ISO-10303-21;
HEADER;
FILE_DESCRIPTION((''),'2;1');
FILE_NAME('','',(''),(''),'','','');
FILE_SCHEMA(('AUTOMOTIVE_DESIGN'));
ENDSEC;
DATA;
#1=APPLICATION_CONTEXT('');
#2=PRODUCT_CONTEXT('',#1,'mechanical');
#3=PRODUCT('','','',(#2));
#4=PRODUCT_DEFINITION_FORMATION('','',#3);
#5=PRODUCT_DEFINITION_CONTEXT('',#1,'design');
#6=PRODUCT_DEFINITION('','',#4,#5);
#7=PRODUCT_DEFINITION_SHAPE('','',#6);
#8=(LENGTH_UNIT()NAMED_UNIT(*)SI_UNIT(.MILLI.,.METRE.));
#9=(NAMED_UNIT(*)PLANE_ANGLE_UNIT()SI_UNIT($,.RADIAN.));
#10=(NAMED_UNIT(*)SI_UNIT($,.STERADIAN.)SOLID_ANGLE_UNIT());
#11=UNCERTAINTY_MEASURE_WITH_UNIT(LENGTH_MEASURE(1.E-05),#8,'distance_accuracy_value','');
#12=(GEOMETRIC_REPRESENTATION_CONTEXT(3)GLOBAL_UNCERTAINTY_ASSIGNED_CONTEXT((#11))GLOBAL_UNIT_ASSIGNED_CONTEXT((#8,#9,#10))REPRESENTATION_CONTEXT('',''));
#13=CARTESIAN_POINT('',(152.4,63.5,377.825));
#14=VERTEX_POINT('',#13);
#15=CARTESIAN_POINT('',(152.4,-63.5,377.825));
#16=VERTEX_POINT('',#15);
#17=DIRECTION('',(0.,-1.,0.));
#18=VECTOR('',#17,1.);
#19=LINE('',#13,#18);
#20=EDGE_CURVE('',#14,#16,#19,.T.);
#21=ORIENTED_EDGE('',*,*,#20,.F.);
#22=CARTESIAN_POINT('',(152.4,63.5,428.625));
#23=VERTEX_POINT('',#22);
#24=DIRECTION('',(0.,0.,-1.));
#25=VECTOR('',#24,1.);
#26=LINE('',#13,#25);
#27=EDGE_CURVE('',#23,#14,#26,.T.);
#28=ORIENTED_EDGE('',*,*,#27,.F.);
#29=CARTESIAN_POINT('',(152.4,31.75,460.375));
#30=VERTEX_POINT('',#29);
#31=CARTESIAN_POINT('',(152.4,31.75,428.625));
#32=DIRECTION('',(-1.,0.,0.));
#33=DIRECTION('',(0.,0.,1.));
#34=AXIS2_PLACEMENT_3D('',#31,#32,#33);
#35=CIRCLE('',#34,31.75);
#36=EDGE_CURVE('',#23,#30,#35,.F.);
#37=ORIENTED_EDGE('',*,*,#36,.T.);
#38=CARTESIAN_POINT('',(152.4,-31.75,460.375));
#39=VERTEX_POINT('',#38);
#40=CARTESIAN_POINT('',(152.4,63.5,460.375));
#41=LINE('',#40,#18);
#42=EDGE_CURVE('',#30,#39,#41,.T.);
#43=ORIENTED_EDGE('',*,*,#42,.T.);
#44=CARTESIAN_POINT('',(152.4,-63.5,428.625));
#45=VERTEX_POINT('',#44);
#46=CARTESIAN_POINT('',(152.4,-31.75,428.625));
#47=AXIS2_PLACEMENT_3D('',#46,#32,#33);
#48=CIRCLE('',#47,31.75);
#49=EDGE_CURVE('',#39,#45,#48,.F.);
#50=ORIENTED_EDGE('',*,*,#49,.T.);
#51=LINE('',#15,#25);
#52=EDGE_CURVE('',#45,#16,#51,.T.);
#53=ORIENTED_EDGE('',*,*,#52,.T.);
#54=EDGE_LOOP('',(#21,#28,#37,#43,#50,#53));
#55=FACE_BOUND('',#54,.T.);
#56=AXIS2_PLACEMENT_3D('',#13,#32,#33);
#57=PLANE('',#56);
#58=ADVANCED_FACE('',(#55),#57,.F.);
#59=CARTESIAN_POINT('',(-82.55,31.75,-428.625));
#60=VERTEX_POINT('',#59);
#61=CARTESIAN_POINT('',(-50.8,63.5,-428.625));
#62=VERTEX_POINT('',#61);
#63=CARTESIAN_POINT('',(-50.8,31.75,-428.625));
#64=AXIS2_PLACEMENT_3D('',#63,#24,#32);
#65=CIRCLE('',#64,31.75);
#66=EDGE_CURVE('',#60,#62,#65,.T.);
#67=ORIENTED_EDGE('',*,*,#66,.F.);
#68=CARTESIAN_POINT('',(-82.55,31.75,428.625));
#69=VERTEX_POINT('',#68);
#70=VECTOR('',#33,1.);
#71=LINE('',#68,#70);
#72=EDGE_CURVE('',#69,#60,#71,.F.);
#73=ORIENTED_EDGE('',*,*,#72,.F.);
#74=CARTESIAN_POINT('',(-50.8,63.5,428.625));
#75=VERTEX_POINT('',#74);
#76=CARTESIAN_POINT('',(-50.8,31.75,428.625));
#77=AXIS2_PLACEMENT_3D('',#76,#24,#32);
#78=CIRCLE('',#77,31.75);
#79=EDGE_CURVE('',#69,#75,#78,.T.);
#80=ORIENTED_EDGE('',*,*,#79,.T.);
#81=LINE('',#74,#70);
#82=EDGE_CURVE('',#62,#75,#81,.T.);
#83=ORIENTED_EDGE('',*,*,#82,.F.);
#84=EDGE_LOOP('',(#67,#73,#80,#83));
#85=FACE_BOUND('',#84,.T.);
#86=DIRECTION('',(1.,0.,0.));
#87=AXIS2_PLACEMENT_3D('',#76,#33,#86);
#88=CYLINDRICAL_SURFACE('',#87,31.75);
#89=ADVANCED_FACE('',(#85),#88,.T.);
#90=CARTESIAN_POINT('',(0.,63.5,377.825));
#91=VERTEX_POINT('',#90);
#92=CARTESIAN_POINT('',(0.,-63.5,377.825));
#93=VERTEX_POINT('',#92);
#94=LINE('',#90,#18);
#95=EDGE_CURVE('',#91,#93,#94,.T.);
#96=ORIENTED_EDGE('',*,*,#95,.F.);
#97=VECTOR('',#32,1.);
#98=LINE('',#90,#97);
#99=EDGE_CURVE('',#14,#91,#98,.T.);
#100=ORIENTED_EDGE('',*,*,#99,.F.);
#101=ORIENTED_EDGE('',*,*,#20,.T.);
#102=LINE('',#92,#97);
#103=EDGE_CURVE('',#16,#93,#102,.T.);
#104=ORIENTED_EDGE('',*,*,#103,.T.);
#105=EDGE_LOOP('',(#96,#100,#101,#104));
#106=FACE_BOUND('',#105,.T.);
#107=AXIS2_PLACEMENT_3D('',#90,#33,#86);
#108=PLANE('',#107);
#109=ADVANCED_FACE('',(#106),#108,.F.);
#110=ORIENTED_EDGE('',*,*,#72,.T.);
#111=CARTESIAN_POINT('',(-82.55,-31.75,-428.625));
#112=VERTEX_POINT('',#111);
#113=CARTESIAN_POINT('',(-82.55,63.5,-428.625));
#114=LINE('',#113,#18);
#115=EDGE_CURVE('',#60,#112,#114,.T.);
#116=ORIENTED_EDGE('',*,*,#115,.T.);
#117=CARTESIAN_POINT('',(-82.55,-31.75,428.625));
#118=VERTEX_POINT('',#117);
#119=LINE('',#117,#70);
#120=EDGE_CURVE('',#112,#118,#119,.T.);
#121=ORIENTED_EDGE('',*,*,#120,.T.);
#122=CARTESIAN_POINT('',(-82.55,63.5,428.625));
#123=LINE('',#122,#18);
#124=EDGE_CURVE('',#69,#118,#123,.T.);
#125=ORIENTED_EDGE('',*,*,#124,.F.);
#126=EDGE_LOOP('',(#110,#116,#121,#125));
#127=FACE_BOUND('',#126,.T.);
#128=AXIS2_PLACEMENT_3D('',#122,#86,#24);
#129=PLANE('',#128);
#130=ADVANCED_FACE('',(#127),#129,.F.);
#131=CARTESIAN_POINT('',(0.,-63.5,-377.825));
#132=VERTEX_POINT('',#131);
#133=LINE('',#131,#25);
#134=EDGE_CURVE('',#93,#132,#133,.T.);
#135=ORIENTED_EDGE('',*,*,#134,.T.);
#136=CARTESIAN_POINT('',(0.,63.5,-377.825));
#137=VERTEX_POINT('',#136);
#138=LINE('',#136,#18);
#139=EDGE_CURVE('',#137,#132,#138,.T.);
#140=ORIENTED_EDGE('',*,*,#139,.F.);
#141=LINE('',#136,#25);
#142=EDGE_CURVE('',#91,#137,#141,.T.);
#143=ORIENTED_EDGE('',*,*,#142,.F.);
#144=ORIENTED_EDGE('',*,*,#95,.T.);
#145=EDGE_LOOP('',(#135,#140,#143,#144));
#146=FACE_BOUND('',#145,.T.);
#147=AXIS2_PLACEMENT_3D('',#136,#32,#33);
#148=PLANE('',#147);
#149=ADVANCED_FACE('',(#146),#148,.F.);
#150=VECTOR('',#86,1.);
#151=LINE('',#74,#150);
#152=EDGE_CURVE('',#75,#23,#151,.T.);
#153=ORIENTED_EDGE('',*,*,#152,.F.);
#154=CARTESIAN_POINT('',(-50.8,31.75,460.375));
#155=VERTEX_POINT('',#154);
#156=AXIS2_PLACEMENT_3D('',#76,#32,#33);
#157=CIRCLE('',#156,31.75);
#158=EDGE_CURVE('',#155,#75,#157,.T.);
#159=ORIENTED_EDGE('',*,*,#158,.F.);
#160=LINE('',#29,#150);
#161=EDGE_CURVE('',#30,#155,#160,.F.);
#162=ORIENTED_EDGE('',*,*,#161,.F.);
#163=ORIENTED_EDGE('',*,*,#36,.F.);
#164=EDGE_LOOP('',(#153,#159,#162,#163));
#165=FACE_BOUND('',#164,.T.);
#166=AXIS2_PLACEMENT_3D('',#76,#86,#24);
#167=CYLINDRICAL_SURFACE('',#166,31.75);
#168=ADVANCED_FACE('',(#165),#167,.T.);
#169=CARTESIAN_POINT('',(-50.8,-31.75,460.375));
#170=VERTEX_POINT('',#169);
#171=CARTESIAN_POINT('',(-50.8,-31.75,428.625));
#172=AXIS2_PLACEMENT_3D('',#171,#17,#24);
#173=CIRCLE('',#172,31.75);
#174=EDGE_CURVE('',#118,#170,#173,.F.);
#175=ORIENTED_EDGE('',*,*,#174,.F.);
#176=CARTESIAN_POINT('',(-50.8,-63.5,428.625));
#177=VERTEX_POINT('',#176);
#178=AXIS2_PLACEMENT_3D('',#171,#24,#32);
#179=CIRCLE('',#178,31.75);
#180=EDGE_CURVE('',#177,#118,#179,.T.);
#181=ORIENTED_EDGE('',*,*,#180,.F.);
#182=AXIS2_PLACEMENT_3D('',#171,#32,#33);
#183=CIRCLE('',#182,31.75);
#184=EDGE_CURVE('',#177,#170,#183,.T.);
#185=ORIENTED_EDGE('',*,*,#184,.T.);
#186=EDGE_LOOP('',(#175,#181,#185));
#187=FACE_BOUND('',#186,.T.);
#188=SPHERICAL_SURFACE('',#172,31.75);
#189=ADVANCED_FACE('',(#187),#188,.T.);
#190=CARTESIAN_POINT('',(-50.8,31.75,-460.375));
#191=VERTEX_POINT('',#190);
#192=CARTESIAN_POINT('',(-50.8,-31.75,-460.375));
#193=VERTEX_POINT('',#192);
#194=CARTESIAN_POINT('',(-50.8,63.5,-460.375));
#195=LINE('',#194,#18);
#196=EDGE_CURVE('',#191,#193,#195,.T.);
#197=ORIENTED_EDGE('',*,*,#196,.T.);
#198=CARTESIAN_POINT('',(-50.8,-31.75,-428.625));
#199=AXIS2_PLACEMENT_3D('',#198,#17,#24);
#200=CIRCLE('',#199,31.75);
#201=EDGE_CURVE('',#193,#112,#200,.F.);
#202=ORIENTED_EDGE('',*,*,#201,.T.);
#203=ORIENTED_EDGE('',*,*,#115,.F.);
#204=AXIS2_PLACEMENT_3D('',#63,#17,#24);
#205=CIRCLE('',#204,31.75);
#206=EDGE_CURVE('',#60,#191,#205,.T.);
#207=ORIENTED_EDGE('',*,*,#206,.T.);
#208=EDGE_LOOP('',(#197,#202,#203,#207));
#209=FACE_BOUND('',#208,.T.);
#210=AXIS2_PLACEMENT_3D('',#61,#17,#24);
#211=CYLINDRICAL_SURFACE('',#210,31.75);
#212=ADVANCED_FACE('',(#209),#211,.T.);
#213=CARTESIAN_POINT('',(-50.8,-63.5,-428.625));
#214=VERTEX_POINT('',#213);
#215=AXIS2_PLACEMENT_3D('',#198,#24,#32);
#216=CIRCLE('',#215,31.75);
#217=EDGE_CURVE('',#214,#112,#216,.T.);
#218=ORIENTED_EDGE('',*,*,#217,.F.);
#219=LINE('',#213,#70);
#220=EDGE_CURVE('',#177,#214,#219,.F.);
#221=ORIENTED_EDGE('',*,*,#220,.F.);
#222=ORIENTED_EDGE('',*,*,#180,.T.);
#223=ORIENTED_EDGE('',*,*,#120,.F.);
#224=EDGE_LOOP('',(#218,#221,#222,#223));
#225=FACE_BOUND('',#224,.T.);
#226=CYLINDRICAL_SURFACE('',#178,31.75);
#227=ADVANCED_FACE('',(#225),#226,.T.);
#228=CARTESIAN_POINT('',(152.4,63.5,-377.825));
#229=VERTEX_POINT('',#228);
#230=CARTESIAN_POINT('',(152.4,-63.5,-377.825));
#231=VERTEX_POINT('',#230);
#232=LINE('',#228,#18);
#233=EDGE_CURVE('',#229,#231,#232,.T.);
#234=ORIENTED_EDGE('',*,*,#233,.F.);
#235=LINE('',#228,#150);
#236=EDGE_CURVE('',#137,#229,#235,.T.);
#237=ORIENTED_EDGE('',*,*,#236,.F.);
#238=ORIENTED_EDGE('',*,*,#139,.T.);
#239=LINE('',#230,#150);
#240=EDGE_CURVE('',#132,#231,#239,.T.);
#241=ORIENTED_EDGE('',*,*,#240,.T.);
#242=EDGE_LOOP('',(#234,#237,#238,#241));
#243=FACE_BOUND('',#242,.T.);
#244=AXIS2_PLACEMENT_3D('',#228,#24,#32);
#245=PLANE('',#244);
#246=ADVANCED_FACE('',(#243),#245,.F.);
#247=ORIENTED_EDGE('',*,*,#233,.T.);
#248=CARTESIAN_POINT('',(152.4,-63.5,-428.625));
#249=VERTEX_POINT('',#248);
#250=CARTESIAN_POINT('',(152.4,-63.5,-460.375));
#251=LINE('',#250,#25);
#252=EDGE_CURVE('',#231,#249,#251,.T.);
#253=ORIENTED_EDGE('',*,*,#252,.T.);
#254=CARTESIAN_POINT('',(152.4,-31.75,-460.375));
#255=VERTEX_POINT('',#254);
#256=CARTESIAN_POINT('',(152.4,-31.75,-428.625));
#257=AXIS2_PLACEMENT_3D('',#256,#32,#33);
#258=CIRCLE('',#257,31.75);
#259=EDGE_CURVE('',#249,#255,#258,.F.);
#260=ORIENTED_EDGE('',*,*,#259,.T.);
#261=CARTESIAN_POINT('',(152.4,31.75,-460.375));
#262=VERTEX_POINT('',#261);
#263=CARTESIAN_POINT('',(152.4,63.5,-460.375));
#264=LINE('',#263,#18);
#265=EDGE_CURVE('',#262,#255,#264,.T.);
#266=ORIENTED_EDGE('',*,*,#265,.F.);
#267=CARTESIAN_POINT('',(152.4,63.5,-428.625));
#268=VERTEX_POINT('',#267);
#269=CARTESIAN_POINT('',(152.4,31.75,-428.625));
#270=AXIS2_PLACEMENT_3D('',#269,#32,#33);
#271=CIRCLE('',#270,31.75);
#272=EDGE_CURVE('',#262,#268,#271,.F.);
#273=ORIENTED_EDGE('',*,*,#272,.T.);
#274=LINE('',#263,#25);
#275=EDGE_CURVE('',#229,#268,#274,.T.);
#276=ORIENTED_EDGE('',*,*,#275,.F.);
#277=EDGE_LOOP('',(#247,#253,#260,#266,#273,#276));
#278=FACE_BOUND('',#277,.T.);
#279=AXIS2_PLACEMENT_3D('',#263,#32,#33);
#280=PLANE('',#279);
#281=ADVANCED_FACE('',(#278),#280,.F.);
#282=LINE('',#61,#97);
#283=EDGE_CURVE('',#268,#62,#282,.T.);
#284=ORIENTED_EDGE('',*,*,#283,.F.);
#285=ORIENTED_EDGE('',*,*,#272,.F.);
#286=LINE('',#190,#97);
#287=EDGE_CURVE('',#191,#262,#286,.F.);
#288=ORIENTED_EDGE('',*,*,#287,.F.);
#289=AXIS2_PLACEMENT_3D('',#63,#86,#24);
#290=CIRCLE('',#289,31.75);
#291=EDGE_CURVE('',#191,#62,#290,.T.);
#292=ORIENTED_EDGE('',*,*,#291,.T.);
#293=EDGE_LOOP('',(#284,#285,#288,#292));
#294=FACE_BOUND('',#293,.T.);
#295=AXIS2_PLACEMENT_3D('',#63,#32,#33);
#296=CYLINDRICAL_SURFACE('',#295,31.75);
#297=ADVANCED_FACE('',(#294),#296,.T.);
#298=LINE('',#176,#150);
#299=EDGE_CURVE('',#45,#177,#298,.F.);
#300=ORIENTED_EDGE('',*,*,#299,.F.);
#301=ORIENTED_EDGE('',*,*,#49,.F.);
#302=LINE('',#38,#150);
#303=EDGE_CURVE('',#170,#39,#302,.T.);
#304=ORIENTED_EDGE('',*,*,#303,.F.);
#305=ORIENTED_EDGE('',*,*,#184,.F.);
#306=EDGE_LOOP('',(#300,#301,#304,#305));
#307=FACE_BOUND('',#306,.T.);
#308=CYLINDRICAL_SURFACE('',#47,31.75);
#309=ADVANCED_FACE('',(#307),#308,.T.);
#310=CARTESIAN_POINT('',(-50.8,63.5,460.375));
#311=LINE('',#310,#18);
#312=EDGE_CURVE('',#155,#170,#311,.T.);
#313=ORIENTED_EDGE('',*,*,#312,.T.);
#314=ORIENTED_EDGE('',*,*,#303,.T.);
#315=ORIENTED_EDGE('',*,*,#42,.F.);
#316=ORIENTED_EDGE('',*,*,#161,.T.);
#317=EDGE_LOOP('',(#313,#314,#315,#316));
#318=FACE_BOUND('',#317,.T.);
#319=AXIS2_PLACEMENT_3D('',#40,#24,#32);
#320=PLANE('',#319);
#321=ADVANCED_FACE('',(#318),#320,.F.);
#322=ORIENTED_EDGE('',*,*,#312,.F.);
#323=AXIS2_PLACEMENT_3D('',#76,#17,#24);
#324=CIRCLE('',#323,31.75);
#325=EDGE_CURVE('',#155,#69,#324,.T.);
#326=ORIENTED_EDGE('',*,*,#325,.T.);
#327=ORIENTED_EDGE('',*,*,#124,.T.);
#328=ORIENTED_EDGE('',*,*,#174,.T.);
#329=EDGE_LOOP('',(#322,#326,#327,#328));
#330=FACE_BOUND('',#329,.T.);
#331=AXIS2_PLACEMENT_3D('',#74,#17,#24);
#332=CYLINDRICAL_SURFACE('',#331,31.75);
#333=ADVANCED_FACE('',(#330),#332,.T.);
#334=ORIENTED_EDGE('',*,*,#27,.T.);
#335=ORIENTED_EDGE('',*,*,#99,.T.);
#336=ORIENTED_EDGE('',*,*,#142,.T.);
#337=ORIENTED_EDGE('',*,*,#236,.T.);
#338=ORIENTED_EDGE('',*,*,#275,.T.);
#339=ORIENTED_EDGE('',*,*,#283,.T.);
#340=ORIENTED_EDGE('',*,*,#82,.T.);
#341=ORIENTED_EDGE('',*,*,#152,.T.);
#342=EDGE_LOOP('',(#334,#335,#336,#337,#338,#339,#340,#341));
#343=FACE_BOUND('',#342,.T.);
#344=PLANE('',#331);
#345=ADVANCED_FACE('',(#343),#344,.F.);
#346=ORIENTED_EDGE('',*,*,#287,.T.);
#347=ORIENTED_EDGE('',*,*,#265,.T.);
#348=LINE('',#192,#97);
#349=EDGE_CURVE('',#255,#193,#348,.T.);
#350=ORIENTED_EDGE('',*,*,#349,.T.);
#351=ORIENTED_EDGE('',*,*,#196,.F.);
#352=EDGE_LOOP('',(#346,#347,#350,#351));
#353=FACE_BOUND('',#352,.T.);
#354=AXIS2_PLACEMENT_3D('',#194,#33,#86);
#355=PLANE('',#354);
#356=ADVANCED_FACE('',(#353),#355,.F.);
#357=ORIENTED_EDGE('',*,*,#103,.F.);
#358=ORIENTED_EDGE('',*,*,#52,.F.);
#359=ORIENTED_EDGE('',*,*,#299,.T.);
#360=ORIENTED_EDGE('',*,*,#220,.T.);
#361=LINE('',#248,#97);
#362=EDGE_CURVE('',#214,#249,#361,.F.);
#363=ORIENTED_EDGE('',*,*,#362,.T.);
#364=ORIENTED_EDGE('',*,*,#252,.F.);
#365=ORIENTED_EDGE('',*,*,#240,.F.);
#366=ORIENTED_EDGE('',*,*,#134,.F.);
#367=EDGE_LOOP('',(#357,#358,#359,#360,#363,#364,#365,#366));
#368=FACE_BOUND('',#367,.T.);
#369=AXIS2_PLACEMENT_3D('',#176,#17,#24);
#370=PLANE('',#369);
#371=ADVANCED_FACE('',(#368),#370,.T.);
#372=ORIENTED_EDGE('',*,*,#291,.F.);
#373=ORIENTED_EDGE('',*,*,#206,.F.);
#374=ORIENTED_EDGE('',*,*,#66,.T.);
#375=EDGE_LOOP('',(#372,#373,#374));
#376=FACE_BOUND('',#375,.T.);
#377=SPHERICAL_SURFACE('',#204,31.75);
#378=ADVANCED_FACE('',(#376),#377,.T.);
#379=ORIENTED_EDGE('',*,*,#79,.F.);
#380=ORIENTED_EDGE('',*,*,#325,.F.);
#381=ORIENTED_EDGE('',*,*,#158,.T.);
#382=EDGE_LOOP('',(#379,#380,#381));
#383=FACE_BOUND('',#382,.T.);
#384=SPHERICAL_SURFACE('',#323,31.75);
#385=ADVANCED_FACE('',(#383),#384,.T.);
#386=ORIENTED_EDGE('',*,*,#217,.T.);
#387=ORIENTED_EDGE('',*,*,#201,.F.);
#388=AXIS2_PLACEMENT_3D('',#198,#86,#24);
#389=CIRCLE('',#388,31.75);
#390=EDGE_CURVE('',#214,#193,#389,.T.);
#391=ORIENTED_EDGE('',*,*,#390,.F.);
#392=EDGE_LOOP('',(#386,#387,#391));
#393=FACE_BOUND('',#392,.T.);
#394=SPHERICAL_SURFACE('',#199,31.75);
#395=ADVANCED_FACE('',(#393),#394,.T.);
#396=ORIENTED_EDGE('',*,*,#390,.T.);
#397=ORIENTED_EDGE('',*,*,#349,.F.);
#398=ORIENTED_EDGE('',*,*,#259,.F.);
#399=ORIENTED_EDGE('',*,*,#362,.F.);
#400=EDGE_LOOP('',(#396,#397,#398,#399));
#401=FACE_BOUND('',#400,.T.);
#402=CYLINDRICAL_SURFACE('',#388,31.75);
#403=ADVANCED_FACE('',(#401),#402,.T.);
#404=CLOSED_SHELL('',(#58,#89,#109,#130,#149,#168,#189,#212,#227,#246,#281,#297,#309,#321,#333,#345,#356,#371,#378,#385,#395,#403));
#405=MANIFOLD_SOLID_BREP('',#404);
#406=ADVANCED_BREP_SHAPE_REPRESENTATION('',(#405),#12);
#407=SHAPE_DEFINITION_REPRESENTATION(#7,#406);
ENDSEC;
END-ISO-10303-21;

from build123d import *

# Parameters (mm, degrees)
BOSS_EXTRUDE1_DEPTH = 63.5
FILLET1_R           = 31.75


with BuildPart() as part:
    # Sketch1 → Boss-Extrude1 (new body, symmetric)
    with BuildSketch(Plane(origin=(0, 0, 0), x_dir=(1, 0, 0), z_dir=(0, 1, 0))):
        with BuildLine():
            Line((0, 377.825), (0, -377.825))
            Line((0, -377.825), (152.4, -377.825))
            Line((152.4, -377.825), (152.4, -460.375))
            Line((152.4, -460.375), (-50.8, -460.375))
            ThreePointArc((-50.8, -460.375), (-73.250640303, -451.075640303), (-82.55, -428.625))
            Line((-82.55, -428.625), (-82.55, 428.625))
            ThreePointArc((-82.55, 428.625), (-73.250640303, 451.075640303), (-50.8, 460.375))
            Line((-50.8, 460.375), (152.4, 460.375))
            Line((152.4, 460.375), (152.4, 377.825))
            Line((152.4, 377.825), (0, 377.825))
        make_face()
    extrude(amount=BOSS_EXTRUDE1_DEPTH, both=True)

    # Fillet1
    fillet1_edges = [part.edges().sort_by_distance(p)[0] for p in [
        (-73.250640303, -63.5, 451.075640303),
        (-82.55, -63.5, 0),
        (-73.250640303, -63.5, -451.075640303),
        (50.8, -63.5, -460.375),
        (50.8, 63.5, -460.375),
        (-73.250640303, 63.5, -451.075640303),
        (-82.55, 63.5, 0),
        (-73.250640303, 63.5, 451.075640303),
        (50.8, 63.5, 460.375),
        (50.8, -63.5, 460.375),
    ]]
    fillet(fillet1_edges, radius=FILLET1_R)


solid = part.part
